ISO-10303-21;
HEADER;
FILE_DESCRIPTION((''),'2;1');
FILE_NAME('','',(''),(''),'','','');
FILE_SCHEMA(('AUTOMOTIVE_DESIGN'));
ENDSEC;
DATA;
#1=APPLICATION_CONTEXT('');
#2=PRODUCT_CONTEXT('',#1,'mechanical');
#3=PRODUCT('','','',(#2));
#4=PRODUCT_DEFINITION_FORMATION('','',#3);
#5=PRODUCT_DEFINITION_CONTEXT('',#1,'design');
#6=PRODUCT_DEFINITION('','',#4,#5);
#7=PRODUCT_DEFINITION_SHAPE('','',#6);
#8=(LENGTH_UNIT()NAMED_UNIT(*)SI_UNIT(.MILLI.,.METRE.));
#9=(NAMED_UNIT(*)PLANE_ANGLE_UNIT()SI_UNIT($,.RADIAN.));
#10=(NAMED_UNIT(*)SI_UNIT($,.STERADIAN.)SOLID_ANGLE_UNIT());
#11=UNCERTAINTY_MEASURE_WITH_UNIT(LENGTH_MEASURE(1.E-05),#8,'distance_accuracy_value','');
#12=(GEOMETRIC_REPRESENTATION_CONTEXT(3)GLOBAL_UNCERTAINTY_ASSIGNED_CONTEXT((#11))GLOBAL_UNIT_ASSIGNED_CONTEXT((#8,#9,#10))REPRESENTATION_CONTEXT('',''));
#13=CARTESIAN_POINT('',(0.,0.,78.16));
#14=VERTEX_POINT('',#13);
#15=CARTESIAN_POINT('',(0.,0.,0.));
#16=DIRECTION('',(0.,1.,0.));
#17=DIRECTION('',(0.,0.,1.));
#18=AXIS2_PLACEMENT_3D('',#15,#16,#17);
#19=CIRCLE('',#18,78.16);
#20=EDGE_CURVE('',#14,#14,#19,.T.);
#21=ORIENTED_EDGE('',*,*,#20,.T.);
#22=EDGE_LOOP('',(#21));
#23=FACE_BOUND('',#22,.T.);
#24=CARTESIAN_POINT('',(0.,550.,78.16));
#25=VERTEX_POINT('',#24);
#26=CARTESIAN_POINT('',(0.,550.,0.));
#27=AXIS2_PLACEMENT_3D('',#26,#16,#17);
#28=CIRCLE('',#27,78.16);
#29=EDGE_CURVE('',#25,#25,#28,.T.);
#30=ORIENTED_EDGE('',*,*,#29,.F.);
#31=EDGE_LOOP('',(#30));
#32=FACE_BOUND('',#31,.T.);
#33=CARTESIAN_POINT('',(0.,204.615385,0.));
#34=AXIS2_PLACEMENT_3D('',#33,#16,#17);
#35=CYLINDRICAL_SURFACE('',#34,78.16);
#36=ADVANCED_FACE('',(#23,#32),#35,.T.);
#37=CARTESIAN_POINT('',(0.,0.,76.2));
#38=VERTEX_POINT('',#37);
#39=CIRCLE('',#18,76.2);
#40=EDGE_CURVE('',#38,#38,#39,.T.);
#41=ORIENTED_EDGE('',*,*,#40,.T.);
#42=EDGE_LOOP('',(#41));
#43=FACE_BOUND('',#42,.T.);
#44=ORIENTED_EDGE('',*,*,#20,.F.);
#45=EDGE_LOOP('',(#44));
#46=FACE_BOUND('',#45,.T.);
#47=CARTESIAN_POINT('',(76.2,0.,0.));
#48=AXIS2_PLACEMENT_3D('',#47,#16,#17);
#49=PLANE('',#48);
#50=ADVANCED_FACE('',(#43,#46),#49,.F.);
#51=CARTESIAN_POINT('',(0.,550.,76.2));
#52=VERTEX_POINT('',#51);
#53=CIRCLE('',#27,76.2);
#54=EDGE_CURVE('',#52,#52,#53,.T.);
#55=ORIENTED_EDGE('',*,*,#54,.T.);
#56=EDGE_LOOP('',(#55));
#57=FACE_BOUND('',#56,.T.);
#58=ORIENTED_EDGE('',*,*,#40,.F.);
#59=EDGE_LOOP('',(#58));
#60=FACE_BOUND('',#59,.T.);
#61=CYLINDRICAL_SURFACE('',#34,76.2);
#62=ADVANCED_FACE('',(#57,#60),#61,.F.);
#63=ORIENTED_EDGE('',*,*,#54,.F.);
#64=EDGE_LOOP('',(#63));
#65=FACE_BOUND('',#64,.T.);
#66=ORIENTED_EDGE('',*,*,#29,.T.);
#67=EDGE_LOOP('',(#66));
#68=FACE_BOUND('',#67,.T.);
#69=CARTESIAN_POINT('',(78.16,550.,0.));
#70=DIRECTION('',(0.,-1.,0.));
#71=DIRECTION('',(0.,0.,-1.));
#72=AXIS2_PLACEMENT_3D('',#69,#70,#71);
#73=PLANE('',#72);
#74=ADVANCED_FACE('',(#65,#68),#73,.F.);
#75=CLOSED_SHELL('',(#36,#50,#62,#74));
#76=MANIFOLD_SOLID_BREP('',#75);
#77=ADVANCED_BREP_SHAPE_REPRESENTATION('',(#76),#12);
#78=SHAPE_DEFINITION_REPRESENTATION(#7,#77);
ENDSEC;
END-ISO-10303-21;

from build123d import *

# Parameters (mm, degrees)
SKETCH1_W = 1.96
SKETCH1_H = 550


with BuildPart() as part:
    # Sketch1 → Revolve1 (revolve)
    with BuildSketch(Plane.XY, mode=Mode.PRIVATE) as revolve1_sk:
        with Locations((77.18, 275)):
            Rectangle(SKETCH1_W, SKETCH1_H)
    revolve(revolve1_sk.sketch.rotate(Axis((0, 204.615384615, 0), (0, -1, 0)), 90), axis=Axis((0, 204.615384615, 0), (0, -1, 0)))


solid = part.part
